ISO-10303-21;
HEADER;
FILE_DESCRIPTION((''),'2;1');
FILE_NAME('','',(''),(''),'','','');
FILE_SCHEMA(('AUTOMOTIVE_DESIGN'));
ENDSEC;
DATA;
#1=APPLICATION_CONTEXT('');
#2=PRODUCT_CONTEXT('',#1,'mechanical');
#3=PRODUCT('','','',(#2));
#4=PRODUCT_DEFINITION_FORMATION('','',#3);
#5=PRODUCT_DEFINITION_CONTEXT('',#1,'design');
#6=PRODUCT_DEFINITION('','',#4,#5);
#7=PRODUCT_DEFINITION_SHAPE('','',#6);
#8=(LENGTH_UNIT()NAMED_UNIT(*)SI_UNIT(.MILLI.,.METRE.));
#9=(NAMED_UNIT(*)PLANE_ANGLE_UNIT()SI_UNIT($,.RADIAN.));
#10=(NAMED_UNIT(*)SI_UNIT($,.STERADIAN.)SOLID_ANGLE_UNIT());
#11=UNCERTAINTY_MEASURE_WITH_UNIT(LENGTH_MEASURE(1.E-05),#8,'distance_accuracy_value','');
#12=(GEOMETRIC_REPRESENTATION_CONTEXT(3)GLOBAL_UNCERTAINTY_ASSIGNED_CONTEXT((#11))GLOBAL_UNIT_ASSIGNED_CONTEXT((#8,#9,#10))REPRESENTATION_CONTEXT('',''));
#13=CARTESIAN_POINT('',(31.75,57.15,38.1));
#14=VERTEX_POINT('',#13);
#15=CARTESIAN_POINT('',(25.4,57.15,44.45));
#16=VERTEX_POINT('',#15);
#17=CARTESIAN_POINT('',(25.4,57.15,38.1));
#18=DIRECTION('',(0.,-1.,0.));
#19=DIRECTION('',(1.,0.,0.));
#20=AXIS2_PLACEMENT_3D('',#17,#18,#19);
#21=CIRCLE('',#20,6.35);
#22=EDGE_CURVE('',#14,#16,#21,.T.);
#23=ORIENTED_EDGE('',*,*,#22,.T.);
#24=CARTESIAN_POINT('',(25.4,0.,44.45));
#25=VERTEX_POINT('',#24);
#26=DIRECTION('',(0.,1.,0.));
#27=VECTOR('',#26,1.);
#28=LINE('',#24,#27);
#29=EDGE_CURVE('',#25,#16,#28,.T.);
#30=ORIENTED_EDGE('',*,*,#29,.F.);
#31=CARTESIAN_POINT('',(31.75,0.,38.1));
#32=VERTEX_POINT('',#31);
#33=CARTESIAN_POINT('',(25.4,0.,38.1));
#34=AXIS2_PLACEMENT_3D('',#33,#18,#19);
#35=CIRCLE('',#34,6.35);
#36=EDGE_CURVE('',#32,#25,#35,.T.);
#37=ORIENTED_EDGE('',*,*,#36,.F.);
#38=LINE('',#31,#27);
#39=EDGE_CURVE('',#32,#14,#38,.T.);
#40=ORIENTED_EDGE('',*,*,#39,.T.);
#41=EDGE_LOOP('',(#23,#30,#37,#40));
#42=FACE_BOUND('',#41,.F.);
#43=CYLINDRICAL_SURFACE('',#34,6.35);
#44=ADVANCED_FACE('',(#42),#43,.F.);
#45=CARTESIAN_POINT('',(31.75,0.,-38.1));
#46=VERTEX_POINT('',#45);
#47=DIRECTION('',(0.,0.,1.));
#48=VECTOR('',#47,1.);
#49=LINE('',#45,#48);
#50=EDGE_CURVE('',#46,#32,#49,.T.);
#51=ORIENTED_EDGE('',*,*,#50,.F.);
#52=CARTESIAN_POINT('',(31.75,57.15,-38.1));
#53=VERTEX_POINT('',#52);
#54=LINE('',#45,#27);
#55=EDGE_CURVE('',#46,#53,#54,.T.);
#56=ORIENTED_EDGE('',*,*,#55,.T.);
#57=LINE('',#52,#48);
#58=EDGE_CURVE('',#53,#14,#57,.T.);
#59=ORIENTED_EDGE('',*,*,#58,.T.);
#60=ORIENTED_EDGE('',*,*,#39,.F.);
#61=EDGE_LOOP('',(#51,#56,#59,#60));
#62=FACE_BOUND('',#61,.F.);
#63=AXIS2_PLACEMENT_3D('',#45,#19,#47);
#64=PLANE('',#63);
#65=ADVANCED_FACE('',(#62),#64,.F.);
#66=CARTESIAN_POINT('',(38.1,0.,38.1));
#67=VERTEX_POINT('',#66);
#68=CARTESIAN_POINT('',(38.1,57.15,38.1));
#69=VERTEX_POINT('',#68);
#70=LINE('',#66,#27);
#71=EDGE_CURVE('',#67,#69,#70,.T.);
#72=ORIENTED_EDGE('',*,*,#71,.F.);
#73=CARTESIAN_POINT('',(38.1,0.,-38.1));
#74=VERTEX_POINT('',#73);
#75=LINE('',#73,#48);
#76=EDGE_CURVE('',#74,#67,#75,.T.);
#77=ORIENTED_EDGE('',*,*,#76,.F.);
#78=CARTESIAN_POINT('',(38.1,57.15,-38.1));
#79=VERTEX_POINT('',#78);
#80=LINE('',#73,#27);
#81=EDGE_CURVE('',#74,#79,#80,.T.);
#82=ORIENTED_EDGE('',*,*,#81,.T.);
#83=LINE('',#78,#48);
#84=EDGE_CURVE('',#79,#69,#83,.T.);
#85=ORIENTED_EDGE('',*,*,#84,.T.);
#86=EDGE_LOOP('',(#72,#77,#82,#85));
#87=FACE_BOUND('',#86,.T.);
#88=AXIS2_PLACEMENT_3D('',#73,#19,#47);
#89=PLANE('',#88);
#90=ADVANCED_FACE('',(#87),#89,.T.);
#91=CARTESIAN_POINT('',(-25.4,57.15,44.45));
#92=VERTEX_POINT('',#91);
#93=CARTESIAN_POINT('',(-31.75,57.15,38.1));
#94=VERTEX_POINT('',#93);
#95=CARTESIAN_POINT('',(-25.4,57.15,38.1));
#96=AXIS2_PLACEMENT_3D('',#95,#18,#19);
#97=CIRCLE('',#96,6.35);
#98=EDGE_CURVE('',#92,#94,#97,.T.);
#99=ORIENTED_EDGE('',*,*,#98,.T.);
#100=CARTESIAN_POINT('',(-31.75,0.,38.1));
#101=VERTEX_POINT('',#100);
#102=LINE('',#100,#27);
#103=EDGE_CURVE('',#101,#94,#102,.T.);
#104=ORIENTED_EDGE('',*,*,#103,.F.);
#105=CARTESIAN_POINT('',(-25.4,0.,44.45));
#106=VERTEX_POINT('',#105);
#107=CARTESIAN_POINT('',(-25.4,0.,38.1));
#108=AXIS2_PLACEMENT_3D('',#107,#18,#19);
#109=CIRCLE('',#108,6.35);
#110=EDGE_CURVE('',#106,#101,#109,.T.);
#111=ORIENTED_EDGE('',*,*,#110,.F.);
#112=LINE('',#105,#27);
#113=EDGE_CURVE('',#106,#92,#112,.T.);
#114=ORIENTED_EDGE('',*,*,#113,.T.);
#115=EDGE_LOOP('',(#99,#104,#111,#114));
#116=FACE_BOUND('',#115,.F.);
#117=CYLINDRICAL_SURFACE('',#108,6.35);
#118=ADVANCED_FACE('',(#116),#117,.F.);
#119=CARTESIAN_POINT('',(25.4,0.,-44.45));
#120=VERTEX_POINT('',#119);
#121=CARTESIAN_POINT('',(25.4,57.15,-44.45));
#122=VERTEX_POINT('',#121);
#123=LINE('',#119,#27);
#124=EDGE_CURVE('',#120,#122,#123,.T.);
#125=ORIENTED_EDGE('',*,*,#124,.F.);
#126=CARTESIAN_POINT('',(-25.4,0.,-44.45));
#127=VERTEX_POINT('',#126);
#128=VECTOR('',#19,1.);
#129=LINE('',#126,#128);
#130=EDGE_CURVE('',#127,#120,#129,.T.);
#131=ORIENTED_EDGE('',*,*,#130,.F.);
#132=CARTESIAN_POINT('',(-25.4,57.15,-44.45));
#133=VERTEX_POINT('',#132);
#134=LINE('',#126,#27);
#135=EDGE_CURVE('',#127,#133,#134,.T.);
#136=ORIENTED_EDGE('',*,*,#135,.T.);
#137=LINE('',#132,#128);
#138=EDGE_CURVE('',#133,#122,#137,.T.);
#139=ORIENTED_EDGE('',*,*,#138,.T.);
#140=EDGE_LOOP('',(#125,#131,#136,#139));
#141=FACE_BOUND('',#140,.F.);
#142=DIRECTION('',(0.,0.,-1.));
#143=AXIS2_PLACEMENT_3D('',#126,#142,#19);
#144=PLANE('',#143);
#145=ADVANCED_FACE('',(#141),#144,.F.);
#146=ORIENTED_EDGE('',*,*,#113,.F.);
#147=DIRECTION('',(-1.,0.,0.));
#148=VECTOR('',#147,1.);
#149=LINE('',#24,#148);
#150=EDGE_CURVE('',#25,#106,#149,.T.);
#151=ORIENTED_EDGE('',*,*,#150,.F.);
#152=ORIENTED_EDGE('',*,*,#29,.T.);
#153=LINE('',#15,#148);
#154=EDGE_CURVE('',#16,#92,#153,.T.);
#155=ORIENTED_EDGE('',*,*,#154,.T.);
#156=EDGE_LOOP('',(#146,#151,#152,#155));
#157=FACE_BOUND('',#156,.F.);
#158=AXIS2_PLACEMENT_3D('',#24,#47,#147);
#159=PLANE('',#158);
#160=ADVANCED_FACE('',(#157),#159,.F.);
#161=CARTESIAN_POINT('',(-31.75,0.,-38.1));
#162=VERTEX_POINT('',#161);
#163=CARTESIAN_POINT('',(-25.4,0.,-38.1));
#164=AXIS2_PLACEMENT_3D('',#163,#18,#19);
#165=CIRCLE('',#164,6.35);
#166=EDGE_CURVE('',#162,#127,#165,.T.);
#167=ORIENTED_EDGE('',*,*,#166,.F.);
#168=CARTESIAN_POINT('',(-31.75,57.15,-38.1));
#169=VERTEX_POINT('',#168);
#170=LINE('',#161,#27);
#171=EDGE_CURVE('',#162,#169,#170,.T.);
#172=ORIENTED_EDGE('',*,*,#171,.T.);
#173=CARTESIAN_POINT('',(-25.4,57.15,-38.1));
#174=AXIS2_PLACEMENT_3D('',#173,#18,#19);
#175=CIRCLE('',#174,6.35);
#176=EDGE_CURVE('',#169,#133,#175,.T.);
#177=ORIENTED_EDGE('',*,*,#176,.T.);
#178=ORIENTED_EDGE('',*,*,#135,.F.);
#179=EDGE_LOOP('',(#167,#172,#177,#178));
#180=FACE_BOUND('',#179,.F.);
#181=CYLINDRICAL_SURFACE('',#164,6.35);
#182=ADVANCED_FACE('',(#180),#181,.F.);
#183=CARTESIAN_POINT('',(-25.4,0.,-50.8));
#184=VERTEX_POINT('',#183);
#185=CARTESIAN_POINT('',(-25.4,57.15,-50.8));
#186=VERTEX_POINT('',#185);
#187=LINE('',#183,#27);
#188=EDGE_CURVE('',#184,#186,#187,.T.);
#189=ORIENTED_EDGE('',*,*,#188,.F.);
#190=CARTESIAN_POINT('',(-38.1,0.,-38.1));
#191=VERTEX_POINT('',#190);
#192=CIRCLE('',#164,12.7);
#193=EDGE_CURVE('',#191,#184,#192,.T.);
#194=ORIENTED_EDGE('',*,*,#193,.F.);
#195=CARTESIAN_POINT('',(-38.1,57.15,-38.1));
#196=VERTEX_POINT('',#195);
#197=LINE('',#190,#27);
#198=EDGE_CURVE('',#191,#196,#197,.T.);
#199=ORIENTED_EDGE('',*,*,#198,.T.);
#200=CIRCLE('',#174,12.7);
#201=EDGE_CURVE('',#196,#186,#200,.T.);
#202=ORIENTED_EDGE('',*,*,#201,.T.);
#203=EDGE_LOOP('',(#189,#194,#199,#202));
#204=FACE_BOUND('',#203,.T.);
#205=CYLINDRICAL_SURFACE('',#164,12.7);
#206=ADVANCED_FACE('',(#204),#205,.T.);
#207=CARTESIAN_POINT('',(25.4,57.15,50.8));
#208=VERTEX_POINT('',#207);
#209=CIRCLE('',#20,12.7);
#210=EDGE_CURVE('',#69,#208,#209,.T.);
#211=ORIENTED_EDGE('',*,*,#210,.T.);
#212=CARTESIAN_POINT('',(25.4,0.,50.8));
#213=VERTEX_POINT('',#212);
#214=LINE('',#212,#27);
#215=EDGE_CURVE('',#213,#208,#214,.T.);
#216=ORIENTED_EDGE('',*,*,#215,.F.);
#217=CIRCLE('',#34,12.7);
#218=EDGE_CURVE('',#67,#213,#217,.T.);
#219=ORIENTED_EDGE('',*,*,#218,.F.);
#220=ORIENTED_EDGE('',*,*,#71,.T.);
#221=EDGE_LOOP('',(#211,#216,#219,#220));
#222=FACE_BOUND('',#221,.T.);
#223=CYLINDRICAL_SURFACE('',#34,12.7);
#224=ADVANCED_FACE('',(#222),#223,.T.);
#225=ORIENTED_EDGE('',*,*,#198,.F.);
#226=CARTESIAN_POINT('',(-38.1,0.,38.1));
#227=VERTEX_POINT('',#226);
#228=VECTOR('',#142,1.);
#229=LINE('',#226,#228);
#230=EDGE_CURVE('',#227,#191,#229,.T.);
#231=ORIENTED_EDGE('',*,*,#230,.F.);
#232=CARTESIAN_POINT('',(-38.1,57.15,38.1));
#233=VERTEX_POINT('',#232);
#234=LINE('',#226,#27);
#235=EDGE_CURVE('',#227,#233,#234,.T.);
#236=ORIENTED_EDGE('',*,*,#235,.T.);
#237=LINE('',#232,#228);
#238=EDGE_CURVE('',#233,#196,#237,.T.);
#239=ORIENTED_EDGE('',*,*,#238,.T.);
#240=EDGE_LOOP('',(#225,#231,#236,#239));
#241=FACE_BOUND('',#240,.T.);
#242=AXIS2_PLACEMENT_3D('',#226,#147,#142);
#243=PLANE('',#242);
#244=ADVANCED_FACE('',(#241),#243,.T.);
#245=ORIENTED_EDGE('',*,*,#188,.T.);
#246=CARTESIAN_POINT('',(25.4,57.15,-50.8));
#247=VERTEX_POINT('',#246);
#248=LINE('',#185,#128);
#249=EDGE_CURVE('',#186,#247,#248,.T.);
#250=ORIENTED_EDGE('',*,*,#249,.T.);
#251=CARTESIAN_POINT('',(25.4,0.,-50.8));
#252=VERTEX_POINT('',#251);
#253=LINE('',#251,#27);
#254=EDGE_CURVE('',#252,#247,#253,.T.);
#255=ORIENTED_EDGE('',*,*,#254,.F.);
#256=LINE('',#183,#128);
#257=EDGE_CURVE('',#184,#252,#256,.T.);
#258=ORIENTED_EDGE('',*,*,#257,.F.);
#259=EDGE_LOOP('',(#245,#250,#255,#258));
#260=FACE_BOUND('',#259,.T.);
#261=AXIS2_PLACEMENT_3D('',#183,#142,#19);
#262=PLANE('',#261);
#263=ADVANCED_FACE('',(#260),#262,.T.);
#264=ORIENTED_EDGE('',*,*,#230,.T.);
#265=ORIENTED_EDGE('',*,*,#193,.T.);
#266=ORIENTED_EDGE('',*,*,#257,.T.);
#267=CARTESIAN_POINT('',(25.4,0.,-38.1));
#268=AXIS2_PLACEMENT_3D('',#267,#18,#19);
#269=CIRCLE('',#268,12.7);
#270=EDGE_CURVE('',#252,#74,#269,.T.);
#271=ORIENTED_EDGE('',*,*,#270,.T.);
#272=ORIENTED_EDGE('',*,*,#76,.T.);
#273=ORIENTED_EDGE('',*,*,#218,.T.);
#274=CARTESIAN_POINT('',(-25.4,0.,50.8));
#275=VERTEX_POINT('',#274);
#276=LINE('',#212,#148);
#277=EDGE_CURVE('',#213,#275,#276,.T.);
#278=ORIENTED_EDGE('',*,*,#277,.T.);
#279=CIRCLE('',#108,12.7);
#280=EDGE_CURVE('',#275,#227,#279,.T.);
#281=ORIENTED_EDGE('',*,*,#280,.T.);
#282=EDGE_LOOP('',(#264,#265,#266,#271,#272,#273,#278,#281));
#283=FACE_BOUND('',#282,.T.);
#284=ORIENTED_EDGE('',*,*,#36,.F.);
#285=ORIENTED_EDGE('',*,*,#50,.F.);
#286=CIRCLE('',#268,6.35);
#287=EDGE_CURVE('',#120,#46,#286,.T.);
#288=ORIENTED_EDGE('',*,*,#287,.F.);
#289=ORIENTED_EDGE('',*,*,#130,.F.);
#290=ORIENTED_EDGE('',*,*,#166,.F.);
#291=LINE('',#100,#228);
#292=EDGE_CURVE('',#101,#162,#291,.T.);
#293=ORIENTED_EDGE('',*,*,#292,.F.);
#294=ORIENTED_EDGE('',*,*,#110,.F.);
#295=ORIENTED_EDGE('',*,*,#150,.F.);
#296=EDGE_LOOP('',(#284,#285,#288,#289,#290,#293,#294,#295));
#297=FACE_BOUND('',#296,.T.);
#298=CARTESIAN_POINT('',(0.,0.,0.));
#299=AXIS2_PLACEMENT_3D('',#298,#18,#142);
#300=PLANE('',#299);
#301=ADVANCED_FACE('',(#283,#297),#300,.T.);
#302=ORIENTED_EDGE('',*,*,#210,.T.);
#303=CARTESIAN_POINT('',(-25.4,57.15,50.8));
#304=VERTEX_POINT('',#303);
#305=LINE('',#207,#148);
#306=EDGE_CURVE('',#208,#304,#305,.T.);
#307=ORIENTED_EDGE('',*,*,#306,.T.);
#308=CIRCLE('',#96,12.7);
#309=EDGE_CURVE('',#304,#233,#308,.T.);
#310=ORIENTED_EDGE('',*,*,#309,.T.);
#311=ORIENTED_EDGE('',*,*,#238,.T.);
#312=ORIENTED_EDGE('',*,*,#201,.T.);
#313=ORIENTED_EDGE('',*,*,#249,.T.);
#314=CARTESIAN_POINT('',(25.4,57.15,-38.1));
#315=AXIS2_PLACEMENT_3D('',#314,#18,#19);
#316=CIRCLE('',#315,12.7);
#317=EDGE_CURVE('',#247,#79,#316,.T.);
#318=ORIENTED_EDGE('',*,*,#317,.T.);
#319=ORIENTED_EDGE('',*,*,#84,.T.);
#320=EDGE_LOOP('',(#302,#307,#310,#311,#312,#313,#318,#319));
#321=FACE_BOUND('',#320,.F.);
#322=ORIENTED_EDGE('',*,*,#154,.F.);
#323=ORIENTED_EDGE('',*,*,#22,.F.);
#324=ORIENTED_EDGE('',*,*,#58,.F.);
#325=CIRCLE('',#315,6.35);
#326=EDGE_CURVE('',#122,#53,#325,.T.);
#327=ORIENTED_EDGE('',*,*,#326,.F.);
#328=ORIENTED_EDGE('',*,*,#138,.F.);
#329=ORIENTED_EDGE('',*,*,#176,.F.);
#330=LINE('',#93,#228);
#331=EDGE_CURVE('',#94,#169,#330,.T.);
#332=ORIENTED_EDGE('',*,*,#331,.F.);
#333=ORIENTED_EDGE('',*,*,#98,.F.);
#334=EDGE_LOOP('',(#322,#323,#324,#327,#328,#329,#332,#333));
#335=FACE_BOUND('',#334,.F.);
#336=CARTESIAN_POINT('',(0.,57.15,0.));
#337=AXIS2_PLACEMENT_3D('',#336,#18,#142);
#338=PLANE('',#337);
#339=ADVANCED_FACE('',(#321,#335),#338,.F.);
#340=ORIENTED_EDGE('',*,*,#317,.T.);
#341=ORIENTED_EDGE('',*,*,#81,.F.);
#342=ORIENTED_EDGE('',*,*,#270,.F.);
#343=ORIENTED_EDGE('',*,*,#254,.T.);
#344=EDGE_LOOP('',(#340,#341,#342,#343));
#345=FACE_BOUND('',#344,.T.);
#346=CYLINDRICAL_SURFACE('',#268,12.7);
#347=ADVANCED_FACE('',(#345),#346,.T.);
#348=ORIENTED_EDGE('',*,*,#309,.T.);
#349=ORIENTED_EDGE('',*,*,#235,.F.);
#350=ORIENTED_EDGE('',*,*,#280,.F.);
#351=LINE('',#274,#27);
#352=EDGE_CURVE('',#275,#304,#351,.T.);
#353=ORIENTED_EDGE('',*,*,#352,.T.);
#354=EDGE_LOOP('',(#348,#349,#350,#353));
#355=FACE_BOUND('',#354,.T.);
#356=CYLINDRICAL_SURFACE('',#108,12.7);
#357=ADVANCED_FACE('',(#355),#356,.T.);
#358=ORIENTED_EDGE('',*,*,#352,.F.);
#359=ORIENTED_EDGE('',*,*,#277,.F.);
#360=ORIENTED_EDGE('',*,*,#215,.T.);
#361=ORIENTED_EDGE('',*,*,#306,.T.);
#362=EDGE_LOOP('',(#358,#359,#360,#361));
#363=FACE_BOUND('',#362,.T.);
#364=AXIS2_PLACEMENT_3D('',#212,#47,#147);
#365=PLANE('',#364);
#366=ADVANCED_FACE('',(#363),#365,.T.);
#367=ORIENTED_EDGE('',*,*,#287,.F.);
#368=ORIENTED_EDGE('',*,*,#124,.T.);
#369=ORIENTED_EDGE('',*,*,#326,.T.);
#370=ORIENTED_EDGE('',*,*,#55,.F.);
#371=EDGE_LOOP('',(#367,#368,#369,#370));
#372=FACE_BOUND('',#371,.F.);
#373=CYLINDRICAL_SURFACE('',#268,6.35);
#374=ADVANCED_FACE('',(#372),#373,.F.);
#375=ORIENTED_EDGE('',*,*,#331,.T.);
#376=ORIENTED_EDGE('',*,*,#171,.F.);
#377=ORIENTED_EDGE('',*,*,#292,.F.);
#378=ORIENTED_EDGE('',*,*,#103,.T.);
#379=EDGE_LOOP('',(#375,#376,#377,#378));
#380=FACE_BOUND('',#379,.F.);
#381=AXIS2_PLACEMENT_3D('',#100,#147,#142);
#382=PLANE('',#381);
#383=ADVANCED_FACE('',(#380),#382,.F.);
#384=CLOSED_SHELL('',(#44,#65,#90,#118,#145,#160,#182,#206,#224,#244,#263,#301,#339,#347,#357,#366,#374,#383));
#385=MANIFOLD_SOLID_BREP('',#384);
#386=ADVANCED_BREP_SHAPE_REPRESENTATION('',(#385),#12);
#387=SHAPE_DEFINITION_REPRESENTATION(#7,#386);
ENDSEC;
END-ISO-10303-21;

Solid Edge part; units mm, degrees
sketch "Sketch1" plane through (0, 0, 0) normal (0, -1, 0) x (1, 0, 0)
  arc A0 (-38.1, -38.1) -> (-25.4, -50.8) centre (-25.4, -38.1) ccw
  line L0 (-25.4, -50.8) -> (25.4, -50.8)
  arc A1 (25.4, -50.8) -> (38.1, -38.1) centre (25.4, -38.1) ccw
  line L1 (38.1, -38.1) -> (38.1, 38.1)
  arc A2 (38.1, 38.1) -> (25.4, 50.8) centre (25.4, 38.1) ccw
  line L2 (25.4, 50.8) -> (-25.4, 50.8)
  arc A3 (-25.4, 50.8) -> (-38.1, 38.1) centre (-25.4, 38.1) ccw
  line L3 (-38.1, 38.1) -> (-38.1, -38.1)
  arc A4 (-31.75, -38.1) -> (-25.4, -44.45) centre (-25.4, -38.1) ccw
  line L4 (-25.4, -44.45) -> (25.4, -44.45)
  arc A5 (25.4, -44.45) -> (31.75, -38.1) centre (25.4, -38.1) ccw
  line L5 (31.75, -38.1) -> (31.75, 38.1)
  arc A6 (31.75, 38.1) -> (25.4, 44.45) centre (25.4, 38.1) ccw
  line L6 (25.4, 44.45) -> (-25.4, 44.45)
  arc A7 (-25.4, 44.45) -> (-31.75, 38.1) centre (-25.4, 38.1) ccw
  line L7 (-31.75, 38.1) -> (-31.75, -38.1)
  dimension "D1" = 76.2
  dimension "D2" = 101.6
  dimension "D3" = 6.35
  dimension "D4" = 6.35
  dimension "D5" = 6.35
  dimension "D6" = 6.35
extrude "Protrusion1" add sketch "Sketch1" against normal blind 57.15
